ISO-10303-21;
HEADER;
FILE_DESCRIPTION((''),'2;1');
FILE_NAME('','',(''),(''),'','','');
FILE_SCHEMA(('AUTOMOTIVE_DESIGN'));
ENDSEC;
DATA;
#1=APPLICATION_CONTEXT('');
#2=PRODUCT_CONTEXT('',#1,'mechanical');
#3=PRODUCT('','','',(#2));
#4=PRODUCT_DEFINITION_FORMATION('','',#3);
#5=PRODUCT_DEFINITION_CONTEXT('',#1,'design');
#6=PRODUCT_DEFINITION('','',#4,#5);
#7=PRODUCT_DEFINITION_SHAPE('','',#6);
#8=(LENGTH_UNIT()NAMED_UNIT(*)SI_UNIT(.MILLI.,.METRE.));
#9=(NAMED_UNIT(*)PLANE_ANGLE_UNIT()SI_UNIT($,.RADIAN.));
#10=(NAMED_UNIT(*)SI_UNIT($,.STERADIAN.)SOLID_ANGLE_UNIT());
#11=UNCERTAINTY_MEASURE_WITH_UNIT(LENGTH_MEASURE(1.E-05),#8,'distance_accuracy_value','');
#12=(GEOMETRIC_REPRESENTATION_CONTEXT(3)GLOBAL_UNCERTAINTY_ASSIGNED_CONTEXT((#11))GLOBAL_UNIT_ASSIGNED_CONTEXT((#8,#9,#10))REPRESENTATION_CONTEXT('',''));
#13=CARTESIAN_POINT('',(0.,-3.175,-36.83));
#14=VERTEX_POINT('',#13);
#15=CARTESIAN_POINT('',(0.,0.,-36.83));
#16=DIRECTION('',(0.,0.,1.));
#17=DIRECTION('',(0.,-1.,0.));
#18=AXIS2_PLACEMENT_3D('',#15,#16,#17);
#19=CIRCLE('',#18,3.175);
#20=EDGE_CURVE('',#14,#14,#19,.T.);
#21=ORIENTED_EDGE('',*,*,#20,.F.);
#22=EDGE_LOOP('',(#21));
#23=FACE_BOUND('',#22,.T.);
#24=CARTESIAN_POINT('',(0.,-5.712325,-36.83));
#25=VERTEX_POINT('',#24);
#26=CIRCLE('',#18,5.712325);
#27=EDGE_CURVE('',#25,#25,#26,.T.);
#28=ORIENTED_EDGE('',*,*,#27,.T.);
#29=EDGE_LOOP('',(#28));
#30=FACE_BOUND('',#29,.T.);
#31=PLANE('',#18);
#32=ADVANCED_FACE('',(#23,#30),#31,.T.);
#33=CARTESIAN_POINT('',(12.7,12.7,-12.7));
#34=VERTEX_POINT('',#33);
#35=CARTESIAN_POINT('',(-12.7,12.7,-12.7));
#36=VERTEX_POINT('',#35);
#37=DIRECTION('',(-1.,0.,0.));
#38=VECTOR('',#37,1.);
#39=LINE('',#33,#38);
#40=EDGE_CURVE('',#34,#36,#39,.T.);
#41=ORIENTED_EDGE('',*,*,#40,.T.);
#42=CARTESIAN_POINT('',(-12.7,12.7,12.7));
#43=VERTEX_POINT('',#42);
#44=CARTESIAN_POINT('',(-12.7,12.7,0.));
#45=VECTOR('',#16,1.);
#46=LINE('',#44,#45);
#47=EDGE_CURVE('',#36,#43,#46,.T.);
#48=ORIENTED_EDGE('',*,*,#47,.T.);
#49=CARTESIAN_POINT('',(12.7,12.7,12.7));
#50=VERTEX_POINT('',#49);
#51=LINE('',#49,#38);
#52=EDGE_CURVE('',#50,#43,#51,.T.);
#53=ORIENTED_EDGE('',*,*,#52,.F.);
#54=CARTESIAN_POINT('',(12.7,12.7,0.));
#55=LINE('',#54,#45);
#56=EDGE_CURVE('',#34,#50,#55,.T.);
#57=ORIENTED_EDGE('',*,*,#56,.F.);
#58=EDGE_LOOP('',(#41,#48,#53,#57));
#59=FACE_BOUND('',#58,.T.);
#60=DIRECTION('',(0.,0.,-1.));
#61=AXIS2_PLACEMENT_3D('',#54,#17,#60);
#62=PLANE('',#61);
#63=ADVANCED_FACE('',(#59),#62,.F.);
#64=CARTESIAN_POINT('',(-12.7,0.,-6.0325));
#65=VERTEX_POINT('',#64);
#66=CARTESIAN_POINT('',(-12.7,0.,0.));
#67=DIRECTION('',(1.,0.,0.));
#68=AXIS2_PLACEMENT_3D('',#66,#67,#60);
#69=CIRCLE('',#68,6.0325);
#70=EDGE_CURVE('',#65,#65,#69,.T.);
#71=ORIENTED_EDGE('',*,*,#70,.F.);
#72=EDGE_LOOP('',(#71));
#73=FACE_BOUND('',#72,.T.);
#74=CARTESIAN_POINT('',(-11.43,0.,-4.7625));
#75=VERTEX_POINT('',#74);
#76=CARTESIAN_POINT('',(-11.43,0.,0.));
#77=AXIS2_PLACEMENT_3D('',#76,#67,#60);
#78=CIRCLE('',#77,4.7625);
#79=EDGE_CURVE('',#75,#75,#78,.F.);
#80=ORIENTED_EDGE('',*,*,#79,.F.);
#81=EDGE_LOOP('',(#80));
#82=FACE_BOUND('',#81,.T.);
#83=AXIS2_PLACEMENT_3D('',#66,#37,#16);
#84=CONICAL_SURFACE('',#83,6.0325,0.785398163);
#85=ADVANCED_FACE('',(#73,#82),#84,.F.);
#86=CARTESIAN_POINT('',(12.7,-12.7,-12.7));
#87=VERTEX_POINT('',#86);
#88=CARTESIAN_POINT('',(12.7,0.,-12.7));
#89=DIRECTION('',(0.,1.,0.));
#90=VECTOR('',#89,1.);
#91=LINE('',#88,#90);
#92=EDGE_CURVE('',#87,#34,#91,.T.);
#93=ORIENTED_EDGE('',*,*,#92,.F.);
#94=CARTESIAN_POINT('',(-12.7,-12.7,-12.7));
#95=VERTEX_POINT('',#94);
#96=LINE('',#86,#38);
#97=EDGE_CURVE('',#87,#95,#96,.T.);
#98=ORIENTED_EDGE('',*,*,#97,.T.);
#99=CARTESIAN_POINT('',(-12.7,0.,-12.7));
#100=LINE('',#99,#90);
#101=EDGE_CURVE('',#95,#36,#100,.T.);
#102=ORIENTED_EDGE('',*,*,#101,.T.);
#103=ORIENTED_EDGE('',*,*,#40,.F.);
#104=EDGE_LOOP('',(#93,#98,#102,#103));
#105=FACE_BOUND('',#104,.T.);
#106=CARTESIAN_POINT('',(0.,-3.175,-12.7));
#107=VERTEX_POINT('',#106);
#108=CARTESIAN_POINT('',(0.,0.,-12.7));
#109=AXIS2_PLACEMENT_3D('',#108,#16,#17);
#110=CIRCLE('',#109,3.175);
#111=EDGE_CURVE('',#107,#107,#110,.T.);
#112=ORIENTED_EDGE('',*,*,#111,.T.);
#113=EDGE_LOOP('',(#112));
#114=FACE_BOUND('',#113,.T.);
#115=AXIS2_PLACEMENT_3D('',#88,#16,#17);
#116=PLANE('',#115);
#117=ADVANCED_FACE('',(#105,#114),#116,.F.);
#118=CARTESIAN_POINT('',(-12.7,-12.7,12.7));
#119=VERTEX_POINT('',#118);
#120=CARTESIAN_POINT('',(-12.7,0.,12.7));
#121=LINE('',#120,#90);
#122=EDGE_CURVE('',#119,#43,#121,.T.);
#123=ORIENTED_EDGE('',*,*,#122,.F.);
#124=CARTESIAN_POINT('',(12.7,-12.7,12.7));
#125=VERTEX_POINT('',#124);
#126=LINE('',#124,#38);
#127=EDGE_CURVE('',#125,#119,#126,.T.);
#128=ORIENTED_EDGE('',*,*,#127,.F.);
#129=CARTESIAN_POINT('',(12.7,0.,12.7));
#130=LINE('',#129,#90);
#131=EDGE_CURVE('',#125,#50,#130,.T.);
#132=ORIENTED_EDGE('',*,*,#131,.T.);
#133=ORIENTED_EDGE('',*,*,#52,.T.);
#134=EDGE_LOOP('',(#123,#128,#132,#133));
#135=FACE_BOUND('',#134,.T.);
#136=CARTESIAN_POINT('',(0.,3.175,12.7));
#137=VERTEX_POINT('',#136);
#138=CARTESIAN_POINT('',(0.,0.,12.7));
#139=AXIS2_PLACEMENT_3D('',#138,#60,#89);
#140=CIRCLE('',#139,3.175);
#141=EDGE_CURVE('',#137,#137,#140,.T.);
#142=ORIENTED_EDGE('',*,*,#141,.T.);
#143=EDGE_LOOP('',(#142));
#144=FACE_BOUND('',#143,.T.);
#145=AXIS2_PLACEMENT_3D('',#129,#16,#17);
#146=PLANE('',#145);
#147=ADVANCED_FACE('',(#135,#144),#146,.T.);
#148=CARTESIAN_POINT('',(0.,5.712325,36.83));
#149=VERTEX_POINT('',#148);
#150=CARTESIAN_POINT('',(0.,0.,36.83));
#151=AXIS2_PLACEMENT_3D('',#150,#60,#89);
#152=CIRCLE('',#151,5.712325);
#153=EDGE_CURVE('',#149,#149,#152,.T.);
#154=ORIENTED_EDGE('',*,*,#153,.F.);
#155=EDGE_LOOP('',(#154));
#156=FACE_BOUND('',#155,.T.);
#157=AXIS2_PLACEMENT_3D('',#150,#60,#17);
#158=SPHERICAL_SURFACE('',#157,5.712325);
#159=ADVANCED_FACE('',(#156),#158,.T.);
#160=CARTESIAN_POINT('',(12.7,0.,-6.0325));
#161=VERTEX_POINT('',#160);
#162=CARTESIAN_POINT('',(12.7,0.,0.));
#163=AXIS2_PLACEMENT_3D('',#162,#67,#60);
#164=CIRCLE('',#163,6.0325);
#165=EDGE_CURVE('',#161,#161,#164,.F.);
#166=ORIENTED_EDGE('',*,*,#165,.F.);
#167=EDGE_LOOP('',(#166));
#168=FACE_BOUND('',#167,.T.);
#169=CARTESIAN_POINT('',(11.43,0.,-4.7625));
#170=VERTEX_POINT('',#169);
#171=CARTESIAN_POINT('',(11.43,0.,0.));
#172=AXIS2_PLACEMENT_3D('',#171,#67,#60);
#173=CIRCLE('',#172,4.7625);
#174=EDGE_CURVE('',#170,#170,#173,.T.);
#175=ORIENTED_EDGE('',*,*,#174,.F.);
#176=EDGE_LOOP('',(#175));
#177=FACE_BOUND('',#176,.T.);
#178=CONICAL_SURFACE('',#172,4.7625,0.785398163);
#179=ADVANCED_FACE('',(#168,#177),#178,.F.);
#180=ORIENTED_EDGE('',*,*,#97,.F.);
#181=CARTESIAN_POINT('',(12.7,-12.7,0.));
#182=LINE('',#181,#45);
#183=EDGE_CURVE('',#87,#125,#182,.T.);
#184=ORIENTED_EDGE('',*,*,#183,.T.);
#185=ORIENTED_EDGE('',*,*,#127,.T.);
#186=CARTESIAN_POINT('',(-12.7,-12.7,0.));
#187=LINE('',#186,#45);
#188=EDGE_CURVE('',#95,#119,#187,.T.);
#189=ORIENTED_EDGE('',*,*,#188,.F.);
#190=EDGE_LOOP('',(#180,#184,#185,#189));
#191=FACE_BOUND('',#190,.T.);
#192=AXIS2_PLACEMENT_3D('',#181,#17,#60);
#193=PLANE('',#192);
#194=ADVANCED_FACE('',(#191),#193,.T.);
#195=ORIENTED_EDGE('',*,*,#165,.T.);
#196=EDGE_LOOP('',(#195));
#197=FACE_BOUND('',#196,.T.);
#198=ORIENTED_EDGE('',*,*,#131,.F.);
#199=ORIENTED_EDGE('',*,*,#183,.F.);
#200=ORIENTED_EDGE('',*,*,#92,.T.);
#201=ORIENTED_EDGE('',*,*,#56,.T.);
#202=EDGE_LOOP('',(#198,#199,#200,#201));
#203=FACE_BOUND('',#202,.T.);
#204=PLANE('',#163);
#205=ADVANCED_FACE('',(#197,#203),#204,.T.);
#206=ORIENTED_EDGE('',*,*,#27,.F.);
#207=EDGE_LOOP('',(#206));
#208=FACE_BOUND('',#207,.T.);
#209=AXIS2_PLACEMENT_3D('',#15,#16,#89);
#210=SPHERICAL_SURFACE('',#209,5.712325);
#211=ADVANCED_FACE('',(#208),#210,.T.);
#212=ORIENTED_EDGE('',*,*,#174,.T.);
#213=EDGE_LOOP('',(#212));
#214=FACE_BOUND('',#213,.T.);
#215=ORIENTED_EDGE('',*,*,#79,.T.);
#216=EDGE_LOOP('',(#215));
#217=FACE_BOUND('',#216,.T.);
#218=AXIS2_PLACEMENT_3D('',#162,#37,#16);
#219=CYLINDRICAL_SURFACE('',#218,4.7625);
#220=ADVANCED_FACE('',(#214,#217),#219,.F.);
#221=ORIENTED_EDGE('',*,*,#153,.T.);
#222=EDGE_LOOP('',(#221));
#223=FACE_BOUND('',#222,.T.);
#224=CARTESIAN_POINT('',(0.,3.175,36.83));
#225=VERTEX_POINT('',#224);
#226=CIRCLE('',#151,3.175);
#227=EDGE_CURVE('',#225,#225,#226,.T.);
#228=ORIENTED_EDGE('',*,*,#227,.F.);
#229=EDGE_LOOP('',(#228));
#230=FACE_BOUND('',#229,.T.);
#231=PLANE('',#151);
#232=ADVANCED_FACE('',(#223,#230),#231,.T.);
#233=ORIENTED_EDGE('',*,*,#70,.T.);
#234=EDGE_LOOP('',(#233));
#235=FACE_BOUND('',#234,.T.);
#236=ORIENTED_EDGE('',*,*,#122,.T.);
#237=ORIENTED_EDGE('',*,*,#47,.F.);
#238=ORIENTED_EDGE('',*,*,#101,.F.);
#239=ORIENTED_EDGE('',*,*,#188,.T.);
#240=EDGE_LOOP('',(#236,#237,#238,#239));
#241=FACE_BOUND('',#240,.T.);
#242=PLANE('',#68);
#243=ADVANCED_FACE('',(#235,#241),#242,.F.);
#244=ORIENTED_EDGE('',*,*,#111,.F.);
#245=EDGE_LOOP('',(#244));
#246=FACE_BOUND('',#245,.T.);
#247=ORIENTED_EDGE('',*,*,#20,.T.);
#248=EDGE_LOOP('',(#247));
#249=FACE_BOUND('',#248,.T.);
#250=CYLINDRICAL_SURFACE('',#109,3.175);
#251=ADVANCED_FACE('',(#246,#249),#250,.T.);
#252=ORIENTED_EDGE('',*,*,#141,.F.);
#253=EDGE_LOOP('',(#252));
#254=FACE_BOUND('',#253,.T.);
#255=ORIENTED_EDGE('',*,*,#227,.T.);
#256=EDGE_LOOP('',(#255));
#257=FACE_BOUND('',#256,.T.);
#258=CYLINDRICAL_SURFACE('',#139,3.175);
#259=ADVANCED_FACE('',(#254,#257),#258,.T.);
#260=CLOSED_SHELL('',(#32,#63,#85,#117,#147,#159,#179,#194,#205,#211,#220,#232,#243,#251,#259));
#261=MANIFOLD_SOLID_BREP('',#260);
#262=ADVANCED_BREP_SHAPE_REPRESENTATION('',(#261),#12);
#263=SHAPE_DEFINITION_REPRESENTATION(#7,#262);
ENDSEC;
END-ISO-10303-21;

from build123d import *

# Parameters (mm, degrees)
SKETCH1_R           = 4.7625
BOSS_EXTRUDE1_DEPTH = 12.7
CHAMFER1_SIZE       = 1.27


with BuildPart() as part:
    # Sketch1 → Boss-Extrude1 (new, symmetric)
    with BuildSketch(Plane(origin=(0, 0, 0), x_dir=(0, 0, -1), z_dir=(1, 0, 0))):
        Polygon((-12.7, -12.7), (12.7, -12.7), (12.7, -3.175), (12.7, 0), (12.7, 3.175), (12.7, 12.7), (-12.7, 12.7), (-12.7, 3.175), (-12.7, 0), (-12.7, -3.175), align=None)
        Circle(SKETCH1_R, mode=Mode.SUBTRACT)
    extrude(amount=BOSS_EXTRUDE1_DEPTH, both=True)

    # Sketch1<4> → Revolve1 (revolve)
    with BuildSketch(Plane(origin=(0, 0, 0), x_dir=(0, 0, -1), z_dir=(1, 0, 0))):
        with BuildLine():
            Line((-12.7, 0), (-12.7, 3.175))
            Line((-12.7, 3.175), (-36.83, 3.175))
            Line((-36.83, 3.175), (-36.83, 5.712324878))
            ThreePointArc((-36.83, 5.712324878), (-40.869223658, 4.039223658), (-42.542324878, 0))
            Line((-42.542324878, 0), (-12.7, 0))
        make_face()
    revolve(axis=Axis((0, 0, 12.7), (0, 0, 1)))

    # Sketch1<5> → Revolve2 (revolve)
    with BuildSketch(Plane(origin=(0, 0, 0), x_dir=(0, 0, -1), z_dir=(1, 0, 0))):
        with BuildLine():
            Line((12.7, 3.175), (12.7, 0))
            Line((12.7, 0), (42.542324878, 0))
            ThreePointArc((42.542324878, 0), (40.869223658, 4.039223658), (36.83, 5.712324878))
            Line((36.83, 5.712324878), (36.83, 3.175))
            Line((36.83, 3.175), (12.7, 3.175))
        make_face()
    revolve(axis=Axis((0, 0, -12.7), (0, 0, -1)))

    # Chamfer1
    chamfer1_edges = [part.edges().sort_by_distance(p)[0] for p in [
        (-12.7, 0, 4.7625),
        (12.7, 0, 4.7625),
    ]]
    chamfer(chamfer1_edges, length=CHAMFER1_SIZE)


solid = part.part
